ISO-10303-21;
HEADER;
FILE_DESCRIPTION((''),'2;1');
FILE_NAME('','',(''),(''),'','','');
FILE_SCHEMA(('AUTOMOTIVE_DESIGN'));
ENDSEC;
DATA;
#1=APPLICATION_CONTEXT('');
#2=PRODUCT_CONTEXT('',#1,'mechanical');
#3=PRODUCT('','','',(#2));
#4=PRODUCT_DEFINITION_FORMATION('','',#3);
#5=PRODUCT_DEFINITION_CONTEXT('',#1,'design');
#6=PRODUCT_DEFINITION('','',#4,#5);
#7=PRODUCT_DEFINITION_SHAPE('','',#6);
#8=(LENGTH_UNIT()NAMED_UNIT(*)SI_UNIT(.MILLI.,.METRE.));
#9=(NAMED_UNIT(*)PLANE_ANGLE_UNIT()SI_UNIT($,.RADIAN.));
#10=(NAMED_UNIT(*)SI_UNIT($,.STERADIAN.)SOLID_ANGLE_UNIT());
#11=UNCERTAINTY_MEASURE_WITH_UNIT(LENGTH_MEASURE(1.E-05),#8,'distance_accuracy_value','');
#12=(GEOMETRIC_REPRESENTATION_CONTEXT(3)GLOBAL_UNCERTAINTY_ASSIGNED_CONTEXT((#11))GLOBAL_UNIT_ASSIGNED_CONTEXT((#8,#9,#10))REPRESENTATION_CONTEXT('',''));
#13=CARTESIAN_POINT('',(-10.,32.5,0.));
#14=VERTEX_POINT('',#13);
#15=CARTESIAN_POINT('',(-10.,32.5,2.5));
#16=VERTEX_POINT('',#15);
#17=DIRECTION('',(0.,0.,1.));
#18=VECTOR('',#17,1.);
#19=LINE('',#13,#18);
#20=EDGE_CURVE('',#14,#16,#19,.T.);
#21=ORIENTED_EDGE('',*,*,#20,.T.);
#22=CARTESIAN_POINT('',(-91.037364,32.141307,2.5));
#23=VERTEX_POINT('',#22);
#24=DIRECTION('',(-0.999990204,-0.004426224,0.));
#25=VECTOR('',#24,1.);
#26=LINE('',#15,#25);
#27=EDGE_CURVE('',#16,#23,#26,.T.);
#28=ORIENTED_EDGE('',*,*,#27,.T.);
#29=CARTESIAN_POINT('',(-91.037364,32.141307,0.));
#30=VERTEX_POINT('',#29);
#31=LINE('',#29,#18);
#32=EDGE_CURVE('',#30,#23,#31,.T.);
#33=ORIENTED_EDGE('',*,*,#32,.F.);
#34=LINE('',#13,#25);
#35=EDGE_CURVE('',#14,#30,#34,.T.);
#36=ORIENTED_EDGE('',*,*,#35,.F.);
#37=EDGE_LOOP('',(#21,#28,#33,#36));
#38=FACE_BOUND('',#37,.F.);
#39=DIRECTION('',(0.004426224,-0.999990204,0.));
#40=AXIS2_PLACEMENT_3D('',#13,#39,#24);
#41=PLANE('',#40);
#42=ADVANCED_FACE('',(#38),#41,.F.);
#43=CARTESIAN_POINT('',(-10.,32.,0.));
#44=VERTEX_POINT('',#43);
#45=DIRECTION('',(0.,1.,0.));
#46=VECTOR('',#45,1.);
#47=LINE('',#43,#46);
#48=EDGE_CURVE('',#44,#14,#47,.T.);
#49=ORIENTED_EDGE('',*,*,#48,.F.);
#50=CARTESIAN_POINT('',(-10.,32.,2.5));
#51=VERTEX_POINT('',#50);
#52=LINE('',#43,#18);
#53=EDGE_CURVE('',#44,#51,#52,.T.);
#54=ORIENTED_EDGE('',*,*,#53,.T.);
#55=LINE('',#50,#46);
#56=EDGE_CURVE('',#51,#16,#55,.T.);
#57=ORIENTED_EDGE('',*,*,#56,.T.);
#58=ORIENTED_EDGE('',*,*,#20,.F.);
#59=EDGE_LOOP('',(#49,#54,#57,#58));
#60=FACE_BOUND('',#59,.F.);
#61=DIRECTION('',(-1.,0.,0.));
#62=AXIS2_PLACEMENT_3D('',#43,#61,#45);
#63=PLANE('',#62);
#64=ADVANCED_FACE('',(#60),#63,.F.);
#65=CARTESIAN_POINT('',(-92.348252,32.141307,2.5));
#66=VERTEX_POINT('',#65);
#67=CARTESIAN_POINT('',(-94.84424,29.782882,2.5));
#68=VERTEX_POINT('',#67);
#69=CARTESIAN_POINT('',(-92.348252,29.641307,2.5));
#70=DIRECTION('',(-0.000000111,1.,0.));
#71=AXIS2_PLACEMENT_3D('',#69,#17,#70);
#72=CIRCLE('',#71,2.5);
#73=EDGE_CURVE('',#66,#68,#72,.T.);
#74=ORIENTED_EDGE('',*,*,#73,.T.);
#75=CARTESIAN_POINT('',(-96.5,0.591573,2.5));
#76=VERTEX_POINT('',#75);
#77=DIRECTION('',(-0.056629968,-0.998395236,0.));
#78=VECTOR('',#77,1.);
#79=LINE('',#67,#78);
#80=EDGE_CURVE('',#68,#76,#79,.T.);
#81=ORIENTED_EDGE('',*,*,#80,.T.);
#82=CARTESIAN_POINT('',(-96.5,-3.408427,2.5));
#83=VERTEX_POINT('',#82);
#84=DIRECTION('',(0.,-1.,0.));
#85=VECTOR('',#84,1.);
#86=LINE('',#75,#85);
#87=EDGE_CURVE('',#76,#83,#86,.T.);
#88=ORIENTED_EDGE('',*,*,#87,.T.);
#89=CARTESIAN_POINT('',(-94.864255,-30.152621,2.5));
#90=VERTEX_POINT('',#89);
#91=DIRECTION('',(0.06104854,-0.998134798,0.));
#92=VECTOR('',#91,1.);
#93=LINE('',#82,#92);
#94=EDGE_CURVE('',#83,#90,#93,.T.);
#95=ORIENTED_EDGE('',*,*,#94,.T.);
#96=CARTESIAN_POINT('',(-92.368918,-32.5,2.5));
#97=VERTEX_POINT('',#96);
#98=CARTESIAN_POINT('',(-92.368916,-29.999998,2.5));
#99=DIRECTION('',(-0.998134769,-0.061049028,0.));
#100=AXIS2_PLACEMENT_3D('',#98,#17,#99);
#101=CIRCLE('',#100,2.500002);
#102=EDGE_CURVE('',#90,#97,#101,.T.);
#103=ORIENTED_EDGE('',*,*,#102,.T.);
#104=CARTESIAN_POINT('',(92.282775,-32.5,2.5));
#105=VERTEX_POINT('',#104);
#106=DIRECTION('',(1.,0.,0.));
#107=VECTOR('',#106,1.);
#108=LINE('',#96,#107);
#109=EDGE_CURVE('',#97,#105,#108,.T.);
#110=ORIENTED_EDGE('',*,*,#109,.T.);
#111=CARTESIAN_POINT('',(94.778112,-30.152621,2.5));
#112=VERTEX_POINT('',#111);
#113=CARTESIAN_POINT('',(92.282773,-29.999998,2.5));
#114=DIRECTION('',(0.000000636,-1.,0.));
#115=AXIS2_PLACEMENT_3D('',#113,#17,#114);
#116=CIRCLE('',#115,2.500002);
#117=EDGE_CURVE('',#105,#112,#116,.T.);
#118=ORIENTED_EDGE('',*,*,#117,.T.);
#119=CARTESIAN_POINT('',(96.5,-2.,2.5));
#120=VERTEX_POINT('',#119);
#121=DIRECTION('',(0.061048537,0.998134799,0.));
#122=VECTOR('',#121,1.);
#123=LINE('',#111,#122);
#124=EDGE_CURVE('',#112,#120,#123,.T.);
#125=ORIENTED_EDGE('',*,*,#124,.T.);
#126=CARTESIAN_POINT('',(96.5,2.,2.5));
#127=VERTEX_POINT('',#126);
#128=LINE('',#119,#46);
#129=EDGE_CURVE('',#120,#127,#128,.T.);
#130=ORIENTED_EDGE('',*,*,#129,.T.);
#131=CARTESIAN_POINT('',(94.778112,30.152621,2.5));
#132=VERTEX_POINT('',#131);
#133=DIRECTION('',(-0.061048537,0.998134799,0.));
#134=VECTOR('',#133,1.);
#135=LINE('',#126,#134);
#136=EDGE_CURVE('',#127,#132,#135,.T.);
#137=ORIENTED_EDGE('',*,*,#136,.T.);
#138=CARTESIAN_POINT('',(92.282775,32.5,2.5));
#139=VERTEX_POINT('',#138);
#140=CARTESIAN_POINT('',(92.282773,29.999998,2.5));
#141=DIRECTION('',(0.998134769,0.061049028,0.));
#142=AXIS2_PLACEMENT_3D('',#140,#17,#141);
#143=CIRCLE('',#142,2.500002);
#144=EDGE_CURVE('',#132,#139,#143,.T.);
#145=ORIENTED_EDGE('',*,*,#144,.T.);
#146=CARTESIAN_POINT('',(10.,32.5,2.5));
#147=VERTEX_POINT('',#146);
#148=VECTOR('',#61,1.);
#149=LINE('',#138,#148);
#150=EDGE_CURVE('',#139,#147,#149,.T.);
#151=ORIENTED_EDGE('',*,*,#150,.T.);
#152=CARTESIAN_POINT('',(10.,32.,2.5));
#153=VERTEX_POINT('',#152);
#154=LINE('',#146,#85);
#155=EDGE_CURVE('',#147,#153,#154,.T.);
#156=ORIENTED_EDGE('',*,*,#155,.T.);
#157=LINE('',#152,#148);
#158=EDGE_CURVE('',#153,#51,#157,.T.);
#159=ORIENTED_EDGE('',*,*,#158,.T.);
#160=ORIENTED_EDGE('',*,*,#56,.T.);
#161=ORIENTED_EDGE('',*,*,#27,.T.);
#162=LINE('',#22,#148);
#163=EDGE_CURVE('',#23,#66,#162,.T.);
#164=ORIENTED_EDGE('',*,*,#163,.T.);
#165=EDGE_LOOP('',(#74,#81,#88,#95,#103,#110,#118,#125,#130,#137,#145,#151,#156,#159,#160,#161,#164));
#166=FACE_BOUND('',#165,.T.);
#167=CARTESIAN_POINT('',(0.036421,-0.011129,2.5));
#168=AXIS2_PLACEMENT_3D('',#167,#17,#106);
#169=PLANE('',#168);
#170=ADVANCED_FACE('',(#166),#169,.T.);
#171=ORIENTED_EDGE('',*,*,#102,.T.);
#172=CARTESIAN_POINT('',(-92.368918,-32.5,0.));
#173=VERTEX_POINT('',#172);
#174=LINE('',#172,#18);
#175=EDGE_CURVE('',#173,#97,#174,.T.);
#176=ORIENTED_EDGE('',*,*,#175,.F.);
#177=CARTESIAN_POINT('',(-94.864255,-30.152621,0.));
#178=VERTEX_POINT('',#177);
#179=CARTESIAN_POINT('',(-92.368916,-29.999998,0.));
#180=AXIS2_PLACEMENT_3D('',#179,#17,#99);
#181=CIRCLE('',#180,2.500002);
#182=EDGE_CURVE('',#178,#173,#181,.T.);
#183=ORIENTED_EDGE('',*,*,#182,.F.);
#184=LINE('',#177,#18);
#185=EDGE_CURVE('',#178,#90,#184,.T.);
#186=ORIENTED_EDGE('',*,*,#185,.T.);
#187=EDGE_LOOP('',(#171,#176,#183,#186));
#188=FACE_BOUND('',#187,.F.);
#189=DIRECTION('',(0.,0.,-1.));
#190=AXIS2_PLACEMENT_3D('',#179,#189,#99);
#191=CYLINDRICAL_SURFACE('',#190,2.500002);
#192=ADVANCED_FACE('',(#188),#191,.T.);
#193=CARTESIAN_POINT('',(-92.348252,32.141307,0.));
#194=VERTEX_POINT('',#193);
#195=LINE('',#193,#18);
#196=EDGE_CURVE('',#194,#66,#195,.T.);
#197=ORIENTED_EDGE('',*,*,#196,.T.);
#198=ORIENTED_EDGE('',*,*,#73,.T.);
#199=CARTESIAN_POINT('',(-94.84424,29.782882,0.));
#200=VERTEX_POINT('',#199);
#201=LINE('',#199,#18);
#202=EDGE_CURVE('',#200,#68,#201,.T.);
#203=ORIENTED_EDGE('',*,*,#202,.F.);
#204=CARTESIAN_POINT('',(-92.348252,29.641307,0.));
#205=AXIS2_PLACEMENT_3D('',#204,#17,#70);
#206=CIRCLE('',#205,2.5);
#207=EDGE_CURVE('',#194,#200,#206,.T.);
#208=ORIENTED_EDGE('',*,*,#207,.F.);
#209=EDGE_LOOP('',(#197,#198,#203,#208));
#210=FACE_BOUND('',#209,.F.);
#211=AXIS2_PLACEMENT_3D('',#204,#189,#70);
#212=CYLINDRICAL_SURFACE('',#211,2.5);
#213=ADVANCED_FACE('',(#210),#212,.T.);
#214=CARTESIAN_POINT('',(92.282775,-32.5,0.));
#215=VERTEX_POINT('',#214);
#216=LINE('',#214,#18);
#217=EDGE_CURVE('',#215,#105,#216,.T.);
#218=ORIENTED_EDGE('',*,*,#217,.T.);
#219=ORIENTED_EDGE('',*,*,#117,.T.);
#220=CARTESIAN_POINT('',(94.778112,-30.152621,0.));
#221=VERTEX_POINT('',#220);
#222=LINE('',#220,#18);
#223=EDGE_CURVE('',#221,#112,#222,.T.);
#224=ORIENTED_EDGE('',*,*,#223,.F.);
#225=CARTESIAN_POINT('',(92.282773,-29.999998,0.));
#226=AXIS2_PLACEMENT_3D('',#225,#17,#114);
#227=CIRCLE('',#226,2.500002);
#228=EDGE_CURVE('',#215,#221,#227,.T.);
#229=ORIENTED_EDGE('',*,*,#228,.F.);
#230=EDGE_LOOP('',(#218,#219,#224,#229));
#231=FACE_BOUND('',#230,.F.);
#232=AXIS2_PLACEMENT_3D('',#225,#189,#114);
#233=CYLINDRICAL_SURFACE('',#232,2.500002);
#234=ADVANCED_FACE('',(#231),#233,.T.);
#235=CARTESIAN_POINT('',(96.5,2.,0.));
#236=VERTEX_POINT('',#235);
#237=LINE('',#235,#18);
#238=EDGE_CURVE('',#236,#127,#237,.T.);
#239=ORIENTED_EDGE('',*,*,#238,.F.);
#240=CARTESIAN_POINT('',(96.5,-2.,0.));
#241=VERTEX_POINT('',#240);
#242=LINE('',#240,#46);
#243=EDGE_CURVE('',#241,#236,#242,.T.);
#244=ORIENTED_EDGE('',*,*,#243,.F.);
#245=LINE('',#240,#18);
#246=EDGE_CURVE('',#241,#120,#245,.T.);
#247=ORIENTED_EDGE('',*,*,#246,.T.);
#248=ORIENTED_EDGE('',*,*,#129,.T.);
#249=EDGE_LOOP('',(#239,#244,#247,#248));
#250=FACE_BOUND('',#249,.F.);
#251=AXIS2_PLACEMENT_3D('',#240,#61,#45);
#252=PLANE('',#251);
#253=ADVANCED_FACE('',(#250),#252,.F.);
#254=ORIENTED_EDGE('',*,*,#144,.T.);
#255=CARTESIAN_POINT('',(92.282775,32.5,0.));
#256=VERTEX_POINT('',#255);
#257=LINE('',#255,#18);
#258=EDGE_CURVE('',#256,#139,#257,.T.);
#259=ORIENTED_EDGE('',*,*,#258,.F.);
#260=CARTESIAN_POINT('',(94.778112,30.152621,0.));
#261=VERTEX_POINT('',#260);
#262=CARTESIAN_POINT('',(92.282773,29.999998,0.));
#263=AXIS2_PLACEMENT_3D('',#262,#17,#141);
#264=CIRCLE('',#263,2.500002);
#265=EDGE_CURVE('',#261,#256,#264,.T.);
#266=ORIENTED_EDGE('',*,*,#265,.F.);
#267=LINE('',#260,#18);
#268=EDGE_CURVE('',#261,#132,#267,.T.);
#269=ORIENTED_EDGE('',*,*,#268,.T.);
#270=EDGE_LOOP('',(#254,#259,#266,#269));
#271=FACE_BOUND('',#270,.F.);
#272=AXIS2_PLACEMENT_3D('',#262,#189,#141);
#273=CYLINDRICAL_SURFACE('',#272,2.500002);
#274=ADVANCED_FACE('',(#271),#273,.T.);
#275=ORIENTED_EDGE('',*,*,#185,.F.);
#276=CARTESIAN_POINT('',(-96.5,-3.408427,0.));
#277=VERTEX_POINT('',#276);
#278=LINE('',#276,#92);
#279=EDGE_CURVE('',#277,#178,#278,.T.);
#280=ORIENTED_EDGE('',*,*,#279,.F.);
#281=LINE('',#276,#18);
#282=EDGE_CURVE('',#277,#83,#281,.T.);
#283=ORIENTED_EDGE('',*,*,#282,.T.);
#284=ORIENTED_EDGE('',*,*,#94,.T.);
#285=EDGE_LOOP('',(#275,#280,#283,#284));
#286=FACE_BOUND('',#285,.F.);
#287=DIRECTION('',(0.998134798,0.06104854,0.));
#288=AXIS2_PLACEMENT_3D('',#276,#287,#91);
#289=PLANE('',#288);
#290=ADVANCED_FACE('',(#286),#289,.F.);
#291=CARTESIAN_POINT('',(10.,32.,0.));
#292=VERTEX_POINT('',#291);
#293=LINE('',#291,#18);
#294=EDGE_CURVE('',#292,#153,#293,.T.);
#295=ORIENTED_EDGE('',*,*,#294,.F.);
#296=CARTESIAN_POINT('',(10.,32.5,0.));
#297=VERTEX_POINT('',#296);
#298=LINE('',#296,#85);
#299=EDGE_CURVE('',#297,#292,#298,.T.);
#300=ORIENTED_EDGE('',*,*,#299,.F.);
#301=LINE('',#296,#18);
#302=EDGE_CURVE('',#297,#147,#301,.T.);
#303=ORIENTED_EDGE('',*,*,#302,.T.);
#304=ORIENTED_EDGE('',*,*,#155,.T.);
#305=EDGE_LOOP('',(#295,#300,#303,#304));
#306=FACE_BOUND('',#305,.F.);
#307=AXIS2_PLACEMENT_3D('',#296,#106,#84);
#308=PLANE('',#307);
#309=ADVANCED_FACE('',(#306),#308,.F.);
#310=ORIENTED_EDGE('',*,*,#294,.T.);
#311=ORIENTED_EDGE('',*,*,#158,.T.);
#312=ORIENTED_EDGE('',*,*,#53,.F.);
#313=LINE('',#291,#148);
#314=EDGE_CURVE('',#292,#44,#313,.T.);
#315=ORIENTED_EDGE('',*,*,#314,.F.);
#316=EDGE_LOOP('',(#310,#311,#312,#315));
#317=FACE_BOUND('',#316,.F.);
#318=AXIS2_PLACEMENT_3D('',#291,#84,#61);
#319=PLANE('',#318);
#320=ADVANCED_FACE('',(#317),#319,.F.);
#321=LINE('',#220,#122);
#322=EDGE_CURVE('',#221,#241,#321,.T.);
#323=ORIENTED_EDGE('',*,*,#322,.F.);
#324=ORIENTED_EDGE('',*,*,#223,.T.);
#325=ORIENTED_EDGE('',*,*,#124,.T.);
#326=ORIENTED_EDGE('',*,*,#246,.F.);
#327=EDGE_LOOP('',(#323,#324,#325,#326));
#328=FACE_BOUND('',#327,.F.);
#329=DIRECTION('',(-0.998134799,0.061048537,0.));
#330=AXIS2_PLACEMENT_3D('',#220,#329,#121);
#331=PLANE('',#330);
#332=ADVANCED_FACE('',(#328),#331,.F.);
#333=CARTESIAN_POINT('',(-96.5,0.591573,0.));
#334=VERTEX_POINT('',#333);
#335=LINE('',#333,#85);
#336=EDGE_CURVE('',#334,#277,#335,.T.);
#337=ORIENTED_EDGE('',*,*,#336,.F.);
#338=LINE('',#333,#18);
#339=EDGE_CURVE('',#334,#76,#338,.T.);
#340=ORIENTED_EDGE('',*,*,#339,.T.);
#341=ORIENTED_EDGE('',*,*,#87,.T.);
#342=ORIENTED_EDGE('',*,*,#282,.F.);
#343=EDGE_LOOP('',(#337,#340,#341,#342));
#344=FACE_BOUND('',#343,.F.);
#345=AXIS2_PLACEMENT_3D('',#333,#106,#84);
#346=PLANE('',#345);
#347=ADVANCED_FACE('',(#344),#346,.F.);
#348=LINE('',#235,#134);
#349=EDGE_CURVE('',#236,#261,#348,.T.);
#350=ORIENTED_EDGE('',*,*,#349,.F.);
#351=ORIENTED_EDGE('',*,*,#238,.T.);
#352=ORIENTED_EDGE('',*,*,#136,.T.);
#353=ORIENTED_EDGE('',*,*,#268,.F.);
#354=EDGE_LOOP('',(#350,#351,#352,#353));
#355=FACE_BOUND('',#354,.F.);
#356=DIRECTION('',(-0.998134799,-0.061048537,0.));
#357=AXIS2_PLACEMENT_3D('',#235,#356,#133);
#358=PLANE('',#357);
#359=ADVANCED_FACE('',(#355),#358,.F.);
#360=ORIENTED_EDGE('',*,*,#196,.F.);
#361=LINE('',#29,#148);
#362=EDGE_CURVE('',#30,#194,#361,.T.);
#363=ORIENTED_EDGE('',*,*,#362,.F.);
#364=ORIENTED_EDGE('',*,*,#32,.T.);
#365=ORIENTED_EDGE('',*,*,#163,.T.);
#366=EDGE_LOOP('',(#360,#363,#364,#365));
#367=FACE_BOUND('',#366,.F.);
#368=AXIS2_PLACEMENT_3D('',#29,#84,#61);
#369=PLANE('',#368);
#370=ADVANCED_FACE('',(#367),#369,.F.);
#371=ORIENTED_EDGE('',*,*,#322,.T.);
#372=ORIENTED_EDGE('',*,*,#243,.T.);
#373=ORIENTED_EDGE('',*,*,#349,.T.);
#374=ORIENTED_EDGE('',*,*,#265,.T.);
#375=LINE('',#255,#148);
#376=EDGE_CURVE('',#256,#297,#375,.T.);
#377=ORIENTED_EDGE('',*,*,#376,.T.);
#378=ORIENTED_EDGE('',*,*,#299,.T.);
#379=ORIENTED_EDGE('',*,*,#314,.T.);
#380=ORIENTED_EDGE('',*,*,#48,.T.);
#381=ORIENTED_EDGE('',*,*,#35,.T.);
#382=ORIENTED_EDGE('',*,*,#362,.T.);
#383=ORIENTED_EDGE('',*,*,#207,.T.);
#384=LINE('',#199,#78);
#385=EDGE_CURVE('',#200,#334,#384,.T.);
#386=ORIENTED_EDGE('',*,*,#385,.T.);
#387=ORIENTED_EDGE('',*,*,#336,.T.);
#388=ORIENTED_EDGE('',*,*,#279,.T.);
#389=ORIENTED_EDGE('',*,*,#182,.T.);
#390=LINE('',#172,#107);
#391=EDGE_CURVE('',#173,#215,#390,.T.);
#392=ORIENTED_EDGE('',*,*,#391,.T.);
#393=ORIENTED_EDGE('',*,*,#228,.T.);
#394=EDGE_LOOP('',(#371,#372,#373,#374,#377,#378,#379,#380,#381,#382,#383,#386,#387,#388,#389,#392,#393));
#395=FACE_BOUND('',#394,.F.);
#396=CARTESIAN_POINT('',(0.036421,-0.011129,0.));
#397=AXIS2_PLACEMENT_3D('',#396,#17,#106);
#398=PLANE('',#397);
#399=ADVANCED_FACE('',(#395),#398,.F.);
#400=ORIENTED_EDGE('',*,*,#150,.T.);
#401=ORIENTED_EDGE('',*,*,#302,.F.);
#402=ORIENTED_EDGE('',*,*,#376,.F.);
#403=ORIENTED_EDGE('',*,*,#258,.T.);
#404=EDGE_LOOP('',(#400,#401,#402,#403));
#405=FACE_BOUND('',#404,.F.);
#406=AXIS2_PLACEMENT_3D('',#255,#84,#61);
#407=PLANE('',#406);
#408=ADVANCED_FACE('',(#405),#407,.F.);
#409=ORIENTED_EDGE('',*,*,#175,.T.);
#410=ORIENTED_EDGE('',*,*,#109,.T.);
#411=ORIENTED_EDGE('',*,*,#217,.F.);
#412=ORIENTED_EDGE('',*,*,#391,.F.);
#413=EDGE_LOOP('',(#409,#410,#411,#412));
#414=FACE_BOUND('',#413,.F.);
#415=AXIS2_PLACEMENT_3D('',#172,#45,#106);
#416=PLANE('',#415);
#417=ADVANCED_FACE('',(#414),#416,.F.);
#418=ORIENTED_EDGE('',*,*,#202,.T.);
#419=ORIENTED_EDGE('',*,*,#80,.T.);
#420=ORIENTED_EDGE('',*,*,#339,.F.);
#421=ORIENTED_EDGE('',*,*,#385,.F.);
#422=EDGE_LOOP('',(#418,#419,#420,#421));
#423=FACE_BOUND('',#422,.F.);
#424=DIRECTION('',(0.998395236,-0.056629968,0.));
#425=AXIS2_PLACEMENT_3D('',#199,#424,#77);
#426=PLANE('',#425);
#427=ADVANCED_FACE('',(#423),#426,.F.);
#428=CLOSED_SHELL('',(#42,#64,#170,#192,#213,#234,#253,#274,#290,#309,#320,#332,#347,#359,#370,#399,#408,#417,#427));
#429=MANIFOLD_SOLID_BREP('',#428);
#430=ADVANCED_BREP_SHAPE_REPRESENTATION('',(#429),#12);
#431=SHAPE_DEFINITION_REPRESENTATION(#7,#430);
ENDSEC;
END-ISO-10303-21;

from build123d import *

# Parameters (mm, degrees)
F1_DEPTH = 2.5


with BuildPart() as f1:
    # F0 (on Top) → F1 (new body)
    with BuildSketch(Plane.XY):
        with BuildLine():
            Line((10, 32), (0, 32))
            Line((0, 32), (-10, 32))
            Line((-10, 32), (-10, 32.5))
            Line((-10, 32.5), (-91.037364, 32.141307))
            Line((-91.037364, 32.141307), (-92.348252, 32.141307))
            ThreePointArc((-92.348252, 32.141307), (-94.065235, 31.458439), (-94.84424, 29.782882))
            Line((-94.84424, 29.782882), (-96.5, 0.591573))
            Line((-96.5, 0.591573), (-96.5, -1.408427))
            Line((-96.5, -1.408427), (-96.5, -3.408427))
            Line((-96.5, -3.408427), (-94.864255, -30.152621))
            ThreePointArc((-94.864255, -30.152621), (-94.081875, -31.820927), (-92.368918, -32.5))
            Line((-92.368918, -32.5), (0, -32.5))
            Line((0, -32.5), (92.282775, -32.5))
            ThreePointArc((92.282775, -32.5), (93.995732, -31.820927), (94.778112, -30.152621))
            Line((94.778112, -30.152621), (96.5, -2))
            Line((96.5, -2), (96.5, 0))
            Line((96.5, 0), (96.5, 2))
            Line((96.5, 2), (94.778112, 30.152621))
            ThreePointArc((94.778112, 30.152621), (93.995732, 31.820927), (92.282775, 32.5))
            Line((92.282775, 32.5), (10, 32.5))
            Line((10, 32.5), (10, 32))
        make_face()
    extrude(amount=F1_DEPTH)


solid = f1.part
